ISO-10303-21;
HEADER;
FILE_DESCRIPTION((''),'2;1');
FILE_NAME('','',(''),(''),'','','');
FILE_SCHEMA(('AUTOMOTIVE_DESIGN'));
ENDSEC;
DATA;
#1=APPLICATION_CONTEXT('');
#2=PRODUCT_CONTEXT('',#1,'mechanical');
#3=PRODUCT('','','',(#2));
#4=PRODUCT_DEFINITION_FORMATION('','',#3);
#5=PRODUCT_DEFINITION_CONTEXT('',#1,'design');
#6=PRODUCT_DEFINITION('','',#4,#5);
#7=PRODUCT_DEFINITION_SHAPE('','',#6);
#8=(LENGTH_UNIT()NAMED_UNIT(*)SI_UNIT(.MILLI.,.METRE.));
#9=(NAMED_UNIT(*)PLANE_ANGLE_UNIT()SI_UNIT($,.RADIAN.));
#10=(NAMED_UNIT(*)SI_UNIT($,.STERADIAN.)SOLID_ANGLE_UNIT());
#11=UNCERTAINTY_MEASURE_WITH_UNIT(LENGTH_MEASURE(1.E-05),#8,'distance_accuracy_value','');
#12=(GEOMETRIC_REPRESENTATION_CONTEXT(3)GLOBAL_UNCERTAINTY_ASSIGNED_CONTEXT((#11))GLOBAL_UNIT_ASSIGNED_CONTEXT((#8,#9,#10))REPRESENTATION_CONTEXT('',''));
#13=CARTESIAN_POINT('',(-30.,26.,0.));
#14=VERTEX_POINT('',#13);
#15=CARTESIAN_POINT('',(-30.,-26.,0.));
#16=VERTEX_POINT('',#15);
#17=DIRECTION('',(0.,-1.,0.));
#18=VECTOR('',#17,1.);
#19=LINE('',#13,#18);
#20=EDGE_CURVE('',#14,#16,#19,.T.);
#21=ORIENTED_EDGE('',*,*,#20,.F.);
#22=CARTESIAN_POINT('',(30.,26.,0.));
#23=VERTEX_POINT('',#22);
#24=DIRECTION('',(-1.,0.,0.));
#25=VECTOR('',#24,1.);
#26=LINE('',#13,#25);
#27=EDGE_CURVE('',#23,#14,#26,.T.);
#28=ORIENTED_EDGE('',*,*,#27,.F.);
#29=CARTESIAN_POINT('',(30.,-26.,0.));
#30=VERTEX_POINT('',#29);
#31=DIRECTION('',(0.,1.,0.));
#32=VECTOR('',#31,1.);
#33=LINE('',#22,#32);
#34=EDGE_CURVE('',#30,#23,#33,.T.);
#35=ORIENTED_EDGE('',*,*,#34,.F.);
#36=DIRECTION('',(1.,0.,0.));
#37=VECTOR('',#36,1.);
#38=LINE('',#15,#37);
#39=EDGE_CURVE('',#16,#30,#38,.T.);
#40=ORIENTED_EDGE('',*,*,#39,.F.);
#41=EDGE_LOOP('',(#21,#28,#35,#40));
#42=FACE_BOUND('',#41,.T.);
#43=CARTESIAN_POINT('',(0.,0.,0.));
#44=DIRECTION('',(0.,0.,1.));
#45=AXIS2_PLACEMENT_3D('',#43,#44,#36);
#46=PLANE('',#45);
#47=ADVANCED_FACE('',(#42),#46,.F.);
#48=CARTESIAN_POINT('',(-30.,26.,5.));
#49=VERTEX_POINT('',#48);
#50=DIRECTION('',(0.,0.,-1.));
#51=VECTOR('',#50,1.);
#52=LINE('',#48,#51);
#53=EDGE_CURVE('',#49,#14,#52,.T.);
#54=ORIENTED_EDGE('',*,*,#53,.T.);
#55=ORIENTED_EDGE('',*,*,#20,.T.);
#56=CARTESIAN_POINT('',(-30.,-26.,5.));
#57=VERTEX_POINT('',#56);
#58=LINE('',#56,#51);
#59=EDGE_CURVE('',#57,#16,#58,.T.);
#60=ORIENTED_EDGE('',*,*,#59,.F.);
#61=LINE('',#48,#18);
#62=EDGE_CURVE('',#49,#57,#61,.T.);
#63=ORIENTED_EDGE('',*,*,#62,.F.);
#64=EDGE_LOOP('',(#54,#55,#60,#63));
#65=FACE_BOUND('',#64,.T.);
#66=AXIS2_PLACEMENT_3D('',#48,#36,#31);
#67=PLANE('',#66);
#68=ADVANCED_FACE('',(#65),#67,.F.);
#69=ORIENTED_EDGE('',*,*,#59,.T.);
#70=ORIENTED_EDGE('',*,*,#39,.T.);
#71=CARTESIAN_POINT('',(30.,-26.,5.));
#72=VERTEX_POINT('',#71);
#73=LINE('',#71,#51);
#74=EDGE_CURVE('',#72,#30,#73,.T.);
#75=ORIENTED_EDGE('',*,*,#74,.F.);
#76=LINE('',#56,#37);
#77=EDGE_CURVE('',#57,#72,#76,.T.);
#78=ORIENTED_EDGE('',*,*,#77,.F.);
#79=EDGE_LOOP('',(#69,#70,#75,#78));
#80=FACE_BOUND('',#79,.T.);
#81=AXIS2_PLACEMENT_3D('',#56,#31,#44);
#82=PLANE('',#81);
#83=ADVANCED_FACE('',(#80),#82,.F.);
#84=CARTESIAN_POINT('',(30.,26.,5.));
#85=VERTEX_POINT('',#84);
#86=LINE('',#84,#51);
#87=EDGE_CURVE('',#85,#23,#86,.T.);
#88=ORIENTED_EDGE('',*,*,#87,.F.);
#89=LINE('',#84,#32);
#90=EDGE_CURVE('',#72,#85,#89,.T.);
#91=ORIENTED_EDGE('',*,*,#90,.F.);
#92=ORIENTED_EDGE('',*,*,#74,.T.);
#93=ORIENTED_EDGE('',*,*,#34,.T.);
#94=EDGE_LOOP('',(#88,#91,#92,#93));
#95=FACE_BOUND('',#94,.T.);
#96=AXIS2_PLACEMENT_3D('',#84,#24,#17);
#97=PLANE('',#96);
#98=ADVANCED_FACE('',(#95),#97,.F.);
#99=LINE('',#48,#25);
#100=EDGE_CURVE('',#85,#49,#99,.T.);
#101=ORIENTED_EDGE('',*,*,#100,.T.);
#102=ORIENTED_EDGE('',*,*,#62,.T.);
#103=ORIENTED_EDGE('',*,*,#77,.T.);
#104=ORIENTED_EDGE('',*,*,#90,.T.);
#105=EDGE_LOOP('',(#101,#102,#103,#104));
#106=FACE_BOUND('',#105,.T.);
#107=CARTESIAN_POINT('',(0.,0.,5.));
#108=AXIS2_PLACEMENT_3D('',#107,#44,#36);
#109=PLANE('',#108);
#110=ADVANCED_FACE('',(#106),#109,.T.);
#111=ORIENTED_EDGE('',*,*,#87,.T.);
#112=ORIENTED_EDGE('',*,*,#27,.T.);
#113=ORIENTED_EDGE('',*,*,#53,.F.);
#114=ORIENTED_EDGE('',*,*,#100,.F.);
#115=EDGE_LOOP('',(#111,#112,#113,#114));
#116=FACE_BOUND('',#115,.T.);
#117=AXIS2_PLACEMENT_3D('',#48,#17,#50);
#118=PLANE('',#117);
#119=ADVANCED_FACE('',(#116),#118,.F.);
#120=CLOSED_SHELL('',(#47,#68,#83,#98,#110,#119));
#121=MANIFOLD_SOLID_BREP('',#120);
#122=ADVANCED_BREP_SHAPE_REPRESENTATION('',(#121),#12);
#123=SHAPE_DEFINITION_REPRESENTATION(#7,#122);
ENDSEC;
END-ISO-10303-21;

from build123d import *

# Parameters (mm, degrees)
SKETCH_1_W      = 60
SKETCH_1_H      = 52
EXTRUDE_1_DEPTH = 5


with BuildPart() as part:
    # 스케치1 → 보스-돌출1 (new body)
    with BuildSketch(Plane.XY):
        Rectangle(SKETCH_1_W, SKETCH_1_H)
    extrude(amount=EXTRUDE_1_DEPTH)


solid = part.part
